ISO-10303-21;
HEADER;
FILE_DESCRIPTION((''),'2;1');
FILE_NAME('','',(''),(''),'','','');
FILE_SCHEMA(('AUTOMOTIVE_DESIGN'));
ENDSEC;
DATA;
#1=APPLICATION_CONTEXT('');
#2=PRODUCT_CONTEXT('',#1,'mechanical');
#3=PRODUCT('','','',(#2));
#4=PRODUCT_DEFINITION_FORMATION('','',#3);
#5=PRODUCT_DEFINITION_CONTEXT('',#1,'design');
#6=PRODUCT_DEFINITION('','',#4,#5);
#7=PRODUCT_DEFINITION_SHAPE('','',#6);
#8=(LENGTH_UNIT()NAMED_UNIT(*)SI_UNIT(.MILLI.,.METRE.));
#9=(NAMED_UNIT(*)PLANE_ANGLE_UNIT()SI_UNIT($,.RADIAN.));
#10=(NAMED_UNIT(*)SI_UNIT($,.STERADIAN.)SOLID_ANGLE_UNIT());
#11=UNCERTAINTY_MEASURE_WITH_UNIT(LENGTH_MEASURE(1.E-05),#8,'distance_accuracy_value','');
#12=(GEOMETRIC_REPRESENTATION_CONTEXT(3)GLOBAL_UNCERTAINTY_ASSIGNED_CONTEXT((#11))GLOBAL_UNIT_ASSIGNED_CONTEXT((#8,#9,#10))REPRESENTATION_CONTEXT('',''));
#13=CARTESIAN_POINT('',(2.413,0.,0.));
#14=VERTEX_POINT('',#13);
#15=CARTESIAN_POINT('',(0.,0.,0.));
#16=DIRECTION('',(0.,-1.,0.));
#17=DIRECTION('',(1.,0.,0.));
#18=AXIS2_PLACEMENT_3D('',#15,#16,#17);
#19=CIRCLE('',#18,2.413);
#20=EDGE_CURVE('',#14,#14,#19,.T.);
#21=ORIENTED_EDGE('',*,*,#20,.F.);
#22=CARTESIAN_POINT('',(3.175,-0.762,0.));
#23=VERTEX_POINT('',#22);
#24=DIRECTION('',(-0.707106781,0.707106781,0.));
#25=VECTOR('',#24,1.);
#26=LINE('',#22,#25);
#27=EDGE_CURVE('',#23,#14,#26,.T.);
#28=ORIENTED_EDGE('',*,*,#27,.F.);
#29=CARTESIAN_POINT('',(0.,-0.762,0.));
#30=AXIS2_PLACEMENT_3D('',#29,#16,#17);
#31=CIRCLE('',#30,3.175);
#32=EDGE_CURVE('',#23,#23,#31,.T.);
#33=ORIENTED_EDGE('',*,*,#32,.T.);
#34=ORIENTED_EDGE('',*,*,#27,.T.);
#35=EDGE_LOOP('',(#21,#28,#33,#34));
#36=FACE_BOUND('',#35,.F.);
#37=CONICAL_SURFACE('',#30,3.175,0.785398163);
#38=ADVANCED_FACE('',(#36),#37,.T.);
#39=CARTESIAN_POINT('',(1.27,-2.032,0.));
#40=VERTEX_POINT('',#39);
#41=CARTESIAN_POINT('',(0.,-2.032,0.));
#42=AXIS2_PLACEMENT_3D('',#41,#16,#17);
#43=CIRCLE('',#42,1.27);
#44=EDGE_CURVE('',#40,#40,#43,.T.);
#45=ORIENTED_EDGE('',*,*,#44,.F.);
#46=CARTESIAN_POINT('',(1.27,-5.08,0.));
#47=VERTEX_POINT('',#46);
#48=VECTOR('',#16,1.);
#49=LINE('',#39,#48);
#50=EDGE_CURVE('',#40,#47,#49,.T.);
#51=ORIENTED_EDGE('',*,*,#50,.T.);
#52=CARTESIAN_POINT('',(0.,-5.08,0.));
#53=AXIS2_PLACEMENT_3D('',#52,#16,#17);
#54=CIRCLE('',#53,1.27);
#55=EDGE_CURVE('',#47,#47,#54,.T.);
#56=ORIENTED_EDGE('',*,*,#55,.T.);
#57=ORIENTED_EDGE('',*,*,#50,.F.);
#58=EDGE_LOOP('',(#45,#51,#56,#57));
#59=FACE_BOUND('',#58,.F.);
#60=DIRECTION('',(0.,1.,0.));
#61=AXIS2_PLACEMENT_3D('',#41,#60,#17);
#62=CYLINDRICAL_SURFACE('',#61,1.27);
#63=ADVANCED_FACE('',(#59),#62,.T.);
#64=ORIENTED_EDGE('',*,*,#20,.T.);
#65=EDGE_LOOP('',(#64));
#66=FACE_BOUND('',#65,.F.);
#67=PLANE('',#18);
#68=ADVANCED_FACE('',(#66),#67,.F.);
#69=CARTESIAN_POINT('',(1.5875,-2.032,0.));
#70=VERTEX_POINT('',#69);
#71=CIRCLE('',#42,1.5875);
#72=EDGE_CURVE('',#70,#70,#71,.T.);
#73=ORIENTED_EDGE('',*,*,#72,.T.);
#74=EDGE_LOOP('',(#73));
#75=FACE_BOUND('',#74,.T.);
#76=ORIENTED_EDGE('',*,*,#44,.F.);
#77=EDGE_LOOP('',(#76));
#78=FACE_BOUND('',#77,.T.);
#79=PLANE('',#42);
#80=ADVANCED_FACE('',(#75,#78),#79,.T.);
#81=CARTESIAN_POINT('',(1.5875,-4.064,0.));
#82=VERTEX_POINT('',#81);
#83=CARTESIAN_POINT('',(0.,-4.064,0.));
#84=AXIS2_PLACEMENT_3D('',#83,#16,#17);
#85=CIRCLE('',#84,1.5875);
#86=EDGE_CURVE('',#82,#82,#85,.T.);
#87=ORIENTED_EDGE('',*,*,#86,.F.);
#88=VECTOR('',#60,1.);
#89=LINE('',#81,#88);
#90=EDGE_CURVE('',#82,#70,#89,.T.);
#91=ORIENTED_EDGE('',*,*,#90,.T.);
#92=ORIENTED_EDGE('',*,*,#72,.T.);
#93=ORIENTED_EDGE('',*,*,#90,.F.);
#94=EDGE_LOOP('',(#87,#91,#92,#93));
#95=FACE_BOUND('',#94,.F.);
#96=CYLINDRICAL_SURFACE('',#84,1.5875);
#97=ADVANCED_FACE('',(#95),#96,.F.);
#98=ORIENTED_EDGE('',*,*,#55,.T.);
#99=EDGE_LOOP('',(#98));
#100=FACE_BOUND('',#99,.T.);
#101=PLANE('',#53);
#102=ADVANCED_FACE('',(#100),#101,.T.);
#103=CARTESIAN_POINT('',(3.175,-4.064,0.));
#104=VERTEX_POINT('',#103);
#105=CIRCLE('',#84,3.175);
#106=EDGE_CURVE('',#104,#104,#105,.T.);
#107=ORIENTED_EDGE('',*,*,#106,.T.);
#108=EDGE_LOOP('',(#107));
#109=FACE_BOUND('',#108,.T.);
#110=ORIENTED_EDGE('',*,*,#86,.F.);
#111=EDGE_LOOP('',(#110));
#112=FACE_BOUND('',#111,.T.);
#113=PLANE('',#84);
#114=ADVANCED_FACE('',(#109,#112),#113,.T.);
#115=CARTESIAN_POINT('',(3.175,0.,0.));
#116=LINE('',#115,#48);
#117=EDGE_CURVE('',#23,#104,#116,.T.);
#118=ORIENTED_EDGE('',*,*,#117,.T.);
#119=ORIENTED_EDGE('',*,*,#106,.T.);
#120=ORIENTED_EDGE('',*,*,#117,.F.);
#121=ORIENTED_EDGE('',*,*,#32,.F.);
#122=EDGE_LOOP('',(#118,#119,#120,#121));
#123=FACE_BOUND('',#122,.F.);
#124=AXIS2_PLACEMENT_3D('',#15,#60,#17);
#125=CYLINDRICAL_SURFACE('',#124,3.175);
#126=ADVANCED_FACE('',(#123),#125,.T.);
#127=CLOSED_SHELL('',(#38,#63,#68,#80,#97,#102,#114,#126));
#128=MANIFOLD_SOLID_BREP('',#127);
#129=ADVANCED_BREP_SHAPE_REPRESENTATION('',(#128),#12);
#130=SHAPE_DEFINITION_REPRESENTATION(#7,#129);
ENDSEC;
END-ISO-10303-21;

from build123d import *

# Parameters (mm, degrees)
F0_R     = 3.175
F1_DEPTH = 4.064
F2_R     = 1.5875
F3_DEPTH = 2.032
F4_R     = 1.27
F5_DEPTH = 3.048
F6_SIZE  = 0.762


with BuildPart() as f1:
    # F0 (on Front) → F1 (new body)
    with BuildSketch(Plane.XZ):
        Circle(F0_R)
    extrude(amount=F1_DEPTH)

    # F2 (on face) → F3 (cut)
    with BuildSketch(Plane.XZ.offset(4.064)):
        Circle(F2_R)
    extrude(amount=-F3_DEPTH, mode=Mode.SUBTRACT)

    # F4 (on face) → F5 (join)
    with BuildSketch(Plane.XZ.offset(2.032)):
        Circle(F4_R)
    extrude(amount=F5_DEPTH)

    # F6
    f6_edges = [f1.edges().sort_by_distance(p)[0] for p in [
        (-3.175, 0, 0),
    ]]
    chamfer(f6_edges, length=F6_SIZE)


solid = f1.part
